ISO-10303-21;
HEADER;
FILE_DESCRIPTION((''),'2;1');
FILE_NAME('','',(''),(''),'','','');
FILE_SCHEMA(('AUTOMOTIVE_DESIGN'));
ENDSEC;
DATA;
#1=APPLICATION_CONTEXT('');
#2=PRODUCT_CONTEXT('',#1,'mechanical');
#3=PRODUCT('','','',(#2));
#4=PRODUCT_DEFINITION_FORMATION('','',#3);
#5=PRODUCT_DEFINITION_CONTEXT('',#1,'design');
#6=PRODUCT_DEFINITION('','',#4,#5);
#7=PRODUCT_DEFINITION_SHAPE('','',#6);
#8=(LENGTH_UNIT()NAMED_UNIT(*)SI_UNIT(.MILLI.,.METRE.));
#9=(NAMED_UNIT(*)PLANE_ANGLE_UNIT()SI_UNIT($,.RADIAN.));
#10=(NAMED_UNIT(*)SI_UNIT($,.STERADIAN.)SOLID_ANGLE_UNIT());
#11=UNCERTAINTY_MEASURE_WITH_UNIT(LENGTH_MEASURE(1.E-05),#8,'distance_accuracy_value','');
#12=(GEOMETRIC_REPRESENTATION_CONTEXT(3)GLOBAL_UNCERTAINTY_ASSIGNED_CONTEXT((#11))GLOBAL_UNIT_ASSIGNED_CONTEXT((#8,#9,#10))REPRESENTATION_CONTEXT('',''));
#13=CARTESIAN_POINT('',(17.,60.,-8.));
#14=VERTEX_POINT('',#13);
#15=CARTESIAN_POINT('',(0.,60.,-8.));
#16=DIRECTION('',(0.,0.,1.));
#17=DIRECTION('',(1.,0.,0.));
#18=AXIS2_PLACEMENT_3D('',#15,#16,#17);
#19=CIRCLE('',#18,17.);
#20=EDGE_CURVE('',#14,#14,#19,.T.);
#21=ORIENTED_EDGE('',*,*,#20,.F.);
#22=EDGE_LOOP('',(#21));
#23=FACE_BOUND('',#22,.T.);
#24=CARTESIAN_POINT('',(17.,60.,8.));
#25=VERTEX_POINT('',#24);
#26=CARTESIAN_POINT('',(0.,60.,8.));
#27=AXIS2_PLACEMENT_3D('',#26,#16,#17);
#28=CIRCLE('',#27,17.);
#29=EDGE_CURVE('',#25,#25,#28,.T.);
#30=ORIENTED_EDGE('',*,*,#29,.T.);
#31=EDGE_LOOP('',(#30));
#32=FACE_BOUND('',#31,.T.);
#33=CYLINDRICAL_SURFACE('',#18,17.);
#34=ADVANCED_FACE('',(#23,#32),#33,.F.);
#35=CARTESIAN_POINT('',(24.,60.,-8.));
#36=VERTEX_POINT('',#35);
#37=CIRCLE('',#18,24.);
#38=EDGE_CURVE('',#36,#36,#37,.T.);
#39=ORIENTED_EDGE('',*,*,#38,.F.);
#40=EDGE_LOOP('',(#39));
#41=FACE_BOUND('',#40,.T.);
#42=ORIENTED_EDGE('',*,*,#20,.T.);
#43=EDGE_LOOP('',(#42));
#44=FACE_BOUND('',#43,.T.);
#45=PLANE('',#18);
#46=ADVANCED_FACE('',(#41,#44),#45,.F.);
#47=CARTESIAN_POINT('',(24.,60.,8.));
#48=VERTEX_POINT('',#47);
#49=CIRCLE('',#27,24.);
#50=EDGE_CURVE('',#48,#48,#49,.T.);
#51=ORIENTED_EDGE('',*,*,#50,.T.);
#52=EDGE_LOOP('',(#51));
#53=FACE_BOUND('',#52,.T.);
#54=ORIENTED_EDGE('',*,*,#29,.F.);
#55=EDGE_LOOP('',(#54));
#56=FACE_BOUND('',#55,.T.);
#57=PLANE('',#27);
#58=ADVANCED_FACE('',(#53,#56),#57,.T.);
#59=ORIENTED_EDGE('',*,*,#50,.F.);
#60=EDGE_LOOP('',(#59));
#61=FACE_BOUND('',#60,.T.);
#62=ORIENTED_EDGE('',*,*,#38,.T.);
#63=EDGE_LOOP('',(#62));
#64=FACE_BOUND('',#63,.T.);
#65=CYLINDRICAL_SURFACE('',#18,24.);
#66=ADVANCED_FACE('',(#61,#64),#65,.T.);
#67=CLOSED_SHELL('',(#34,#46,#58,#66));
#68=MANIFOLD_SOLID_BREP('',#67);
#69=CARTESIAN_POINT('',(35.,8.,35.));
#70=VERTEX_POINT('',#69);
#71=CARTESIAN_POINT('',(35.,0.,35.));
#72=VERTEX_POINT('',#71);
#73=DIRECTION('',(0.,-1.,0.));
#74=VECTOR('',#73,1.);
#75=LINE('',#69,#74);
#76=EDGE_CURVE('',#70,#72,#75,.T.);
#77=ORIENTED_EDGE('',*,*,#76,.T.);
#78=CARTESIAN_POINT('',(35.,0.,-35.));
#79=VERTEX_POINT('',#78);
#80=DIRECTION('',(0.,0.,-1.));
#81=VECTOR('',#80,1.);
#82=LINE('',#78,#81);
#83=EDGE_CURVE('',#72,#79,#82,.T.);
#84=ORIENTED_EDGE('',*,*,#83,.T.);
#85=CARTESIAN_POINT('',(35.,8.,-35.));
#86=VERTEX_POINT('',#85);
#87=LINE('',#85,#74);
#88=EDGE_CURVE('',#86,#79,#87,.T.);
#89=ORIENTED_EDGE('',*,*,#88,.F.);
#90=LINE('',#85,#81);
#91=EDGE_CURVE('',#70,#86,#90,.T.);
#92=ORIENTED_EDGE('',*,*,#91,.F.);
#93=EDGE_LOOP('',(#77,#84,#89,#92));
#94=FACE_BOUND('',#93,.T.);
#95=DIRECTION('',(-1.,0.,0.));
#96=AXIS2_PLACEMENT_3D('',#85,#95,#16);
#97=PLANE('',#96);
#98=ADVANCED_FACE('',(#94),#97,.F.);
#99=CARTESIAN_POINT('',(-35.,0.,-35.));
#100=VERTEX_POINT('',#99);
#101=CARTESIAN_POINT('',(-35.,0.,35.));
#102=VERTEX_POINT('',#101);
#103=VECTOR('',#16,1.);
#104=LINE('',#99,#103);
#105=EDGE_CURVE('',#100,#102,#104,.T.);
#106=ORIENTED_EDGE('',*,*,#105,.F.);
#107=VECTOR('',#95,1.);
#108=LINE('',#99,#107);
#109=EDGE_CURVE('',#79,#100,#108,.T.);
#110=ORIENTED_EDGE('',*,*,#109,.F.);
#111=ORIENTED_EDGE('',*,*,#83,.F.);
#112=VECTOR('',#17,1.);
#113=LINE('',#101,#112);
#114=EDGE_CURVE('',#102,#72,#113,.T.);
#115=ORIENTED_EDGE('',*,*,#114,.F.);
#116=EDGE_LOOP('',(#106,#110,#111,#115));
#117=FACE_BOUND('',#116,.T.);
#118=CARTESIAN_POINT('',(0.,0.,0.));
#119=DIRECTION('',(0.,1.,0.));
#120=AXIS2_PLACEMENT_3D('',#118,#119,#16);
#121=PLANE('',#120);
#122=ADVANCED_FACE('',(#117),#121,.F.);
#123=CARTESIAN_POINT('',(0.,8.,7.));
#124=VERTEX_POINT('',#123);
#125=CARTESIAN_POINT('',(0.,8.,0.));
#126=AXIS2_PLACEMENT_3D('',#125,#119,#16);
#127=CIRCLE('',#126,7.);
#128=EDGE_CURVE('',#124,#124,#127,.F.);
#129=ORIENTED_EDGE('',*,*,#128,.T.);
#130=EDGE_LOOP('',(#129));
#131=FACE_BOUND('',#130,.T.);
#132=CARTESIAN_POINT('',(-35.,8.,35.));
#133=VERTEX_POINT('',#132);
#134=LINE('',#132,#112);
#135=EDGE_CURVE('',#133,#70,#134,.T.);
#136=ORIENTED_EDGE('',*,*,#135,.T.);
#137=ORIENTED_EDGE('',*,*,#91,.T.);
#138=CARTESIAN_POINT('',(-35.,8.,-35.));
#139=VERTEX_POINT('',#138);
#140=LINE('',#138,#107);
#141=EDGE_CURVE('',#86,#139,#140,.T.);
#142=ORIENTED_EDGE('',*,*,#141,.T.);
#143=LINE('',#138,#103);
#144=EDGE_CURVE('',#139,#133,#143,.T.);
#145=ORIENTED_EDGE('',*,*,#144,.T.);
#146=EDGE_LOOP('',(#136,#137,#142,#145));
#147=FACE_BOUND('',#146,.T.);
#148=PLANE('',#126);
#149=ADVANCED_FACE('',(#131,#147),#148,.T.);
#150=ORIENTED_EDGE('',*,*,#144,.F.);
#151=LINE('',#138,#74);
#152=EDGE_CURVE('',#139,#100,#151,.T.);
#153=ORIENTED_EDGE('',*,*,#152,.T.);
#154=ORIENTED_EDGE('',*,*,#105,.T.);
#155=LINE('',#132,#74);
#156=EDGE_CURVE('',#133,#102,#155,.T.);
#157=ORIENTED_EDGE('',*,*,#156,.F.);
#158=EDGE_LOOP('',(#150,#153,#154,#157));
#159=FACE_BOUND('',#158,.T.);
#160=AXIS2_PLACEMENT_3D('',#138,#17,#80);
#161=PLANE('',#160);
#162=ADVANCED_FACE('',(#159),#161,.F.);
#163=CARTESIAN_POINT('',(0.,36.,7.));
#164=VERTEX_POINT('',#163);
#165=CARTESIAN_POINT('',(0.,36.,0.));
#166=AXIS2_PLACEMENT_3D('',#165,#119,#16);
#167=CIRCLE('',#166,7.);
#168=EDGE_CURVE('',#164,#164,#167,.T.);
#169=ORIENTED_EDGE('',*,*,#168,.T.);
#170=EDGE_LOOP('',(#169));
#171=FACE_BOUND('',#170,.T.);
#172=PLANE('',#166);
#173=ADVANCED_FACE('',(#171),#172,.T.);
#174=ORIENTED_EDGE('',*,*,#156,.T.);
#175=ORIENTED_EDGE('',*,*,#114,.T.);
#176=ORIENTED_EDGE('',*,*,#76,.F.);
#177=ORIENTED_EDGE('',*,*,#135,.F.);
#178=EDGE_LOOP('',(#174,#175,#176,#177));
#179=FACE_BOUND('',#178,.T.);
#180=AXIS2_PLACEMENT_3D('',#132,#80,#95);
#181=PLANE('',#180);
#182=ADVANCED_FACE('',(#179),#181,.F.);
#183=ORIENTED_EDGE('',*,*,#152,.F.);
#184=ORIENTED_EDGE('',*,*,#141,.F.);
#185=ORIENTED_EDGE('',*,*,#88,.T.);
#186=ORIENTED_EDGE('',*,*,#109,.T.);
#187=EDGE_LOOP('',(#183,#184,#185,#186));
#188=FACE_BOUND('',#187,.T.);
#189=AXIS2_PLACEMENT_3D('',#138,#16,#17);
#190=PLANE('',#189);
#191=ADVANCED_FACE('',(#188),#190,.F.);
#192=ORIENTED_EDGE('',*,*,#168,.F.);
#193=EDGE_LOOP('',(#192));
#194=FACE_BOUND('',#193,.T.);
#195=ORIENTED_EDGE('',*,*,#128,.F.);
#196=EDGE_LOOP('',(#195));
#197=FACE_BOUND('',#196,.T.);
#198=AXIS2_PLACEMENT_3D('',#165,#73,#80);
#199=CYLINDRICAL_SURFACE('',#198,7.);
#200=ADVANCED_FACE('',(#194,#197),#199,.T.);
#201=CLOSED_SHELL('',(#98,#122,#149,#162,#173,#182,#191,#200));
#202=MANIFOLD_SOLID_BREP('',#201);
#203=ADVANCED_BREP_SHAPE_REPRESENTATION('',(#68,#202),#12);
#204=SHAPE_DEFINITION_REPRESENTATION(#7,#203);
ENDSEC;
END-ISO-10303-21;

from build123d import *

# Parameters (mm, degrees)
SKETCH1_W                = 70
SKETCH1_H                = 70
BOSS_EXTRUDE1_DEPTH      = 8
SKETCH2_R                = 7
BOSS_EXTRUDE2_DEPTH      = 36
BOSS_EXTRUDE3_DEPTH      = 8
BOSS_EXTRUDE3_DEPTH_BACK = 8
SKETCH3_R                = 24
SKETCH3_R_2              = 17


with BuildPart() as part:
    # Sketch1 → Boss-Extrude1 (new body)
    with BuildSketch(Plane(origin=(0, 0, 0), x_dir=(1, 0, 0), z_dir=(0, 1, 0))):
        Rectangle(SKETCH1_W, SKETCH1_H)
    extrude(amount=BOSS_EXTRUDE1_DEPTH)

    # Sketch2 → Boss-Extrude2 (add)
    with BuildSketch(Plane(origin=(0, 0, 0), x_dir=(1, 0, 0), z_dir=(0, 1, 0))):
        with Locations(Location((0, 0, 0), (0, 0, 270))):
            Circle(SKETCH2_R)
    extrude(amount=BOSS_EXTRUDE2_DEPTH)


with BuildPart() as body_2:
    # Sketch3 → Boss-Extrude3 (new, two sides: drawn at the far end of the back side and taken through both)
    with BuildSketch(Plane.XY.offset(-BOSS_EXTRUDE3_DEPTH_BACK)):
        with Locations((0, 60)):
            Circle(SKETCH3_R)
        with Locations((0, 60)):
            Circle(SKETCH3_R_2, mode=Mode.SUBTRACT)
    extrude(amount=BOSS_EXTRUDE3_DEPTH + BOSS_EXTRUDE3_DEPTH_BACK)


solid = Compound([part.part, body_2.part])
